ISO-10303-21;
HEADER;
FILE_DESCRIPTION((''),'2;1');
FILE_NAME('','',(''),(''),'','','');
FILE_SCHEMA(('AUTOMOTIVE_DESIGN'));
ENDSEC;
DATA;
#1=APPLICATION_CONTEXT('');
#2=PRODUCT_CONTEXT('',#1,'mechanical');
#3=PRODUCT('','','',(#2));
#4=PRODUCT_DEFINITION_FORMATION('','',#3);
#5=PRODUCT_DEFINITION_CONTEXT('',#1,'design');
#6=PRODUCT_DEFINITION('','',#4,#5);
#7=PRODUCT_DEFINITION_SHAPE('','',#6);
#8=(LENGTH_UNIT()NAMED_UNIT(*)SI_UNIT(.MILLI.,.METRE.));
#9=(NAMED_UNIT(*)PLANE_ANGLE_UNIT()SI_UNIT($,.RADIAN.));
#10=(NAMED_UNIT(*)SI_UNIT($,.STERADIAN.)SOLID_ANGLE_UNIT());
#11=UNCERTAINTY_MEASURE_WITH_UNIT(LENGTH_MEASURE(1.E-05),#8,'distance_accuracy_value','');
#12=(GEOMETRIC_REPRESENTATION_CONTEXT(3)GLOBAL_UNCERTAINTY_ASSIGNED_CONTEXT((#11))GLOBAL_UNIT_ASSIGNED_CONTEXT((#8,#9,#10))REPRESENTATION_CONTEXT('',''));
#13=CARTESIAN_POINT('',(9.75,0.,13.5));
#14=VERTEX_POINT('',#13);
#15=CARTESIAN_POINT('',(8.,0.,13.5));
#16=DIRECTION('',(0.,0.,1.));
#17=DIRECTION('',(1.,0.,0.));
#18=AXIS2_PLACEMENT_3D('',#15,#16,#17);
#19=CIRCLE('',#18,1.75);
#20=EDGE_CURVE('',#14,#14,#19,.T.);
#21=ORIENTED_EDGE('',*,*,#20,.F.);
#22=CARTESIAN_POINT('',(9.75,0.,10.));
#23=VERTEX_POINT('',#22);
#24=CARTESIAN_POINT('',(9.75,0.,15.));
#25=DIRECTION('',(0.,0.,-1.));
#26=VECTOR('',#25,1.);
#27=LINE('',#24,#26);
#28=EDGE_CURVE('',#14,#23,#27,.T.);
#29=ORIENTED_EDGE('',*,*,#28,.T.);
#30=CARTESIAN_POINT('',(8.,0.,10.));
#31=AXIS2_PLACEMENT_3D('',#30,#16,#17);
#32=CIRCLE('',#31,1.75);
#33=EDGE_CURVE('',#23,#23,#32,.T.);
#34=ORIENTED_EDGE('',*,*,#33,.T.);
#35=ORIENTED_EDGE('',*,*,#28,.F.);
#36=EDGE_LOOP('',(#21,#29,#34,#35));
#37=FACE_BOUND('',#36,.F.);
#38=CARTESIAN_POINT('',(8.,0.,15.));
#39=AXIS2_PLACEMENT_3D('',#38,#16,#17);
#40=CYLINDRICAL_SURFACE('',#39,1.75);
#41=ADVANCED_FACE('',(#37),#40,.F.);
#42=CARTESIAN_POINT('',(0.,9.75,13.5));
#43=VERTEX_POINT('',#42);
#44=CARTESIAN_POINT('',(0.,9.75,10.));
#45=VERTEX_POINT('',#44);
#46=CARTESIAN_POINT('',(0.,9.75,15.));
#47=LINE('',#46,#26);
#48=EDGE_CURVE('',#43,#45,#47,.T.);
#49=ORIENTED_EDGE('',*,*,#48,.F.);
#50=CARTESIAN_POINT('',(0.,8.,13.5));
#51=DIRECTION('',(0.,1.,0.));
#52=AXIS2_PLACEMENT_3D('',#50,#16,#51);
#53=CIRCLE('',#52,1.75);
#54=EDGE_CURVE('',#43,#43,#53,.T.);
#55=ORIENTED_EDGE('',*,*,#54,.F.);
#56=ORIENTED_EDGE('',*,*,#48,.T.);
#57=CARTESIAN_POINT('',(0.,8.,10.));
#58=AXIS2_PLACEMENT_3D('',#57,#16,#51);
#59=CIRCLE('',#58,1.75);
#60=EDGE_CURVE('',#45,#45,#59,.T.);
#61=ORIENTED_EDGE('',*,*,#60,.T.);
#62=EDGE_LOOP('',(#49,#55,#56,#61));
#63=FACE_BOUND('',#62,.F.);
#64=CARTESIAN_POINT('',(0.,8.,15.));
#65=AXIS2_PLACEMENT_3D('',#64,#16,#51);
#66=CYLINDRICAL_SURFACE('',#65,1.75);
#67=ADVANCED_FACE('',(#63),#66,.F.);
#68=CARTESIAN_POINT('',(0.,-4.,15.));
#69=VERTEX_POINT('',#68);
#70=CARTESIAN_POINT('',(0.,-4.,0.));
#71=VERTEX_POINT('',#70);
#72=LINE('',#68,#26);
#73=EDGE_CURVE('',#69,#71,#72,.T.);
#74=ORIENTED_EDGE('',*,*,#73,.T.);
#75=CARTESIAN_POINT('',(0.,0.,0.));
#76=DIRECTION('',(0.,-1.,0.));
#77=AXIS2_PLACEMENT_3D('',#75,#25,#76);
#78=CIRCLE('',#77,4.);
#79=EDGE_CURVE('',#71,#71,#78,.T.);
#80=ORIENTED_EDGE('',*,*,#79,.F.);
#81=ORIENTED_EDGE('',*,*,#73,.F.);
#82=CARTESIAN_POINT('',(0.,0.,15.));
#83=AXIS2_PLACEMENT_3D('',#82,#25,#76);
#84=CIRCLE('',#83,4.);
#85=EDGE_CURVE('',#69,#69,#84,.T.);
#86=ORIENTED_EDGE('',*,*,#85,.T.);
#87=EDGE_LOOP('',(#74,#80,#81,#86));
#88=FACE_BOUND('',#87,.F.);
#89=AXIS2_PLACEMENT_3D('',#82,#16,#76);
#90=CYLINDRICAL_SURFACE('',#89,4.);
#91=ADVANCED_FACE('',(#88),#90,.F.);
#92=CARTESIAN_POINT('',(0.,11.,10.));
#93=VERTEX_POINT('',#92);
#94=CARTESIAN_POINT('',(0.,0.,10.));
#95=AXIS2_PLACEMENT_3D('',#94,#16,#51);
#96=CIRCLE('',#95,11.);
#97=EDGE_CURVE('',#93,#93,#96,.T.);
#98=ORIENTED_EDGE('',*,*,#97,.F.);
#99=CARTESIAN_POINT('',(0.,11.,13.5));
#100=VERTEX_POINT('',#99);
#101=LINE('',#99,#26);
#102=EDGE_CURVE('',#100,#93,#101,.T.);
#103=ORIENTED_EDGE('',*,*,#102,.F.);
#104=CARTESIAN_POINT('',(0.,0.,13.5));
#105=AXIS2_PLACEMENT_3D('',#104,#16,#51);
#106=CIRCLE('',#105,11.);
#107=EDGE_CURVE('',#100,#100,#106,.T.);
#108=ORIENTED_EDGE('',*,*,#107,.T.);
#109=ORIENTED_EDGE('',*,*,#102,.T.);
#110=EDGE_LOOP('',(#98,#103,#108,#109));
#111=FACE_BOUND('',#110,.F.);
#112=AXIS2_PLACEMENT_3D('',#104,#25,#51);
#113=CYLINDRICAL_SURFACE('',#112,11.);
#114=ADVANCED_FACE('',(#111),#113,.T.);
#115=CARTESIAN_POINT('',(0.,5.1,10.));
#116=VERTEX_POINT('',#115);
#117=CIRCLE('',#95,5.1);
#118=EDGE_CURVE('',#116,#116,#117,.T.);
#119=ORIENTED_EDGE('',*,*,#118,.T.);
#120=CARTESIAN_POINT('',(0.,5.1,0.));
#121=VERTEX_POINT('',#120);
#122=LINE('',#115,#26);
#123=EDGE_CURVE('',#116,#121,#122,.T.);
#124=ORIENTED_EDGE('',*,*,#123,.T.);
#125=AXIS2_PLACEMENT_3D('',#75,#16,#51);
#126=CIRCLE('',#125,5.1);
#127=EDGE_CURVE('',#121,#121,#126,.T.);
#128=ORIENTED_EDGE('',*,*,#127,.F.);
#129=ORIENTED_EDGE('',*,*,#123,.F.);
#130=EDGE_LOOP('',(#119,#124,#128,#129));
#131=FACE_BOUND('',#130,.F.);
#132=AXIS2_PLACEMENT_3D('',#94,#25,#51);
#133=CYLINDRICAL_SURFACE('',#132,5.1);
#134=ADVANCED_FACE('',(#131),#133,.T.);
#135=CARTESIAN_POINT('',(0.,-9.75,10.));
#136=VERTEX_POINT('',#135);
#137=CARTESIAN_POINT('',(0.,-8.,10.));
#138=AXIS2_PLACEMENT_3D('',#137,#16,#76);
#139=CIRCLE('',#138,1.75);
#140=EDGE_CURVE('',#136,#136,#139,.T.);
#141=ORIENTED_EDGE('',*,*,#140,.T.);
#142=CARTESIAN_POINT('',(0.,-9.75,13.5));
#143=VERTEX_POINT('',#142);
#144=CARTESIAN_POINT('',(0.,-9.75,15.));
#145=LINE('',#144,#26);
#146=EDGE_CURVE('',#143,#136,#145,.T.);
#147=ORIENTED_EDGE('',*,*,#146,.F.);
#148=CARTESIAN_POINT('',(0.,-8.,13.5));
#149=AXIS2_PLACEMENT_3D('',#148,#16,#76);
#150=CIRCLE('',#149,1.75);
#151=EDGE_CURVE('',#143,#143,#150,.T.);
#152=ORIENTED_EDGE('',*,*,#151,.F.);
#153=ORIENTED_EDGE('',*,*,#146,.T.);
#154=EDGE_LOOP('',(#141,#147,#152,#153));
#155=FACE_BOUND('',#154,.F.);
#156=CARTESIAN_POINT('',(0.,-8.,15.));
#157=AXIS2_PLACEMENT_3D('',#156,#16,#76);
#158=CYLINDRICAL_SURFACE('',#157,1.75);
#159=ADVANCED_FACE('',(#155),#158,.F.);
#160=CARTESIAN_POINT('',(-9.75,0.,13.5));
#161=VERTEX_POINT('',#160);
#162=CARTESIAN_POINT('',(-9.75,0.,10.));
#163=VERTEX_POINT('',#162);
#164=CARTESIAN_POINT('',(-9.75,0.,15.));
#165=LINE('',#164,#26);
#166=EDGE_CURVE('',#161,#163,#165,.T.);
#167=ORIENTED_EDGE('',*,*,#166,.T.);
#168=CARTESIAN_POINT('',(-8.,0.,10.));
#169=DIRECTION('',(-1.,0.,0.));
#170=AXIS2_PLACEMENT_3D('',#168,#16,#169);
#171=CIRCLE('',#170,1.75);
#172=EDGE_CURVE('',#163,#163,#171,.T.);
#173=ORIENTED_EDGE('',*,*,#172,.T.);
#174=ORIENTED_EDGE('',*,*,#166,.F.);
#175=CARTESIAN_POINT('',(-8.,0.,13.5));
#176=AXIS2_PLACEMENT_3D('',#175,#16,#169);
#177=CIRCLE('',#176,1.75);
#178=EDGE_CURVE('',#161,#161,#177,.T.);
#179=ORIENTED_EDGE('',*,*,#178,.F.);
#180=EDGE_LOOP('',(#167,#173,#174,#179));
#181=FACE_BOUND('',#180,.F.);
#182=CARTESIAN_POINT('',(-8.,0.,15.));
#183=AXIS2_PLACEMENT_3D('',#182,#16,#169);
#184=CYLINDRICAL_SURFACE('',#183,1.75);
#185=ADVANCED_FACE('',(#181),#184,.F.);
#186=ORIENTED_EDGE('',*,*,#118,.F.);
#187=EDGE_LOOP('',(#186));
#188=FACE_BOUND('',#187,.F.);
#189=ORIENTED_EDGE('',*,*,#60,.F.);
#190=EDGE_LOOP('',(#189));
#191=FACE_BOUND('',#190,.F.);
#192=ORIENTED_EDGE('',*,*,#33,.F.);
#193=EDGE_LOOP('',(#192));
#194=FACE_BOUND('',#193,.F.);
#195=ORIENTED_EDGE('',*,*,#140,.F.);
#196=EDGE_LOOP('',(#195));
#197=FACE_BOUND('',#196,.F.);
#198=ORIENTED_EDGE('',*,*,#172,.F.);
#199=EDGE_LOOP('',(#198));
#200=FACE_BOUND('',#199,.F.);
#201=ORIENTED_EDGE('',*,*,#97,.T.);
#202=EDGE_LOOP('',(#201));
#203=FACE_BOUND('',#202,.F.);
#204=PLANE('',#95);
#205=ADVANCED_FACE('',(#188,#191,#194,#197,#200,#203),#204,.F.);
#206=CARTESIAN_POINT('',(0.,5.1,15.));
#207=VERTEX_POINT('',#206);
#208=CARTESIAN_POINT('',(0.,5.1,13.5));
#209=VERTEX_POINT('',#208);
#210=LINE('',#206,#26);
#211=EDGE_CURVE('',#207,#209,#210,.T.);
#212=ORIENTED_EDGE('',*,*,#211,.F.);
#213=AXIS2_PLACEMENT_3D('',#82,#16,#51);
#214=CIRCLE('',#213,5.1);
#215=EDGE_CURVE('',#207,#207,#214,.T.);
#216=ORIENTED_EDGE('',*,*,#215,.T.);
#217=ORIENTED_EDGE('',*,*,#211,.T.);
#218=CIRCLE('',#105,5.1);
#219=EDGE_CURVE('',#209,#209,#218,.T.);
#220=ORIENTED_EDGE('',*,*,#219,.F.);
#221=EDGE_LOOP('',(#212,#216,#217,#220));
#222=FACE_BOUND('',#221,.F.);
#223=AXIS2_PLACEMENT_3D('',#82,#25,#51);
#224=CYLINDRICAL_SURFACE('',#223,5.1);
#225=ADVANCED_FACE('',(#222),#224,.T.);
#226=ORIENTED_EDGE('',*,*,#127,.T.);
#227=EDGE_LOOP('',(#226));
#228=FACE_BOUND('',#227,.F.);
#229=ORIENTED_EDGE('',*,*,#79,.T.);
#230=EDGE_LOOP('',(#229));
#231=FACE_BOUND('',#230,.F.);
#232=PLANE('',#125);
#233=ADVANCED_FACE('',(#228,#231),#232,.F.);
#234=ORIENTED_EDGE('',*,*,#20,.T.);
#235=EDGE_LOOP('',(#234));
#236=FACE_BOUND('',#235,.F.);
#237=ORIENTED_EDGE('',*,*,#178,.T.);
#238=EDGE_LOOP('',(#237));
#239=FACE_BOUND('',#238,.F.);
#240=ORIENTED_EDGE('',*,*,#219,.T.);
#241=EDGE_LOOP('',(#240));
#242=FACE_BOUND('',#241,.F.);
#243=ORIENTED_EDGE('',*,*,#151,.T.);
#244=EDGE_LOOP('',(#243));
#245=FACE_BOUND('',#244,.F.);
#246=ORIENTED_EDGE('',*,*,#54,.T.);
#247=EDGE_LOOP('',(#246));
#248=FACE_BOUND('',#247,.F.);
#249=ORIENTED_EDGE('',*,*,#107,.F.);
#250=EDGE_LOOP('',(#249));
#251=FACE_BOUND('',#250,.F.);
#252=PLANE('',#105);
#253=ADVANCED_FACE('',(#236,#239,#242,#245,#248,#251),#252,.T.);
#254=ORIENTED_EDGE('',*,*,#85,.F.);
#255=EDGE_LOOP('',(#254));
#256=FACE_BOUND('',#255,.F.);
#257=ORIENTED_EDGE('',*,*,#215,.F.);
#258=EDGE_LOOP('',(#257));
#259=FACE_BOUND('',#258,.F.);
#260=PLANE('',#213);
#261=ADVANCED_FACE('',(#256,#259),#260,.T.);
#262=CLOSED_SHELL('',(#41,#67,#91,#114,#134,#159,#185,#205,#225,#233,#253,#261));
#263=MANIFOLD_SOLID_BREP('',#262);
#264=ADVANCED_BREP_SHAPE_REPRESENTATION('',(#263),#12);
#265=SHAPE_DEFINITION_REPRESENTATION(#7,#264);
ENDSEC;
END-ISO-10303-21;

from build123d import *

# Parameters (mm, degrees)
SKETCH151_R           = 4
SKETCH151_R_2         = 1.75
POCKET057_DEPTH       = 84.080664
POLARPATTERN010_COUNT = 4


with BuildPart() as part:
    # Sketch150 → Revolution007 (revolve)
    with BuildSketch(Plane.YZ):
        Polygon((0, 0), (0, 15), (5.1, 15), (5.1, 13.5), (11, 13.5), (11, 10), (5.1, 10), (5.1, 0), align=None)
    revolve(axis=Axis((0, 0, 0), (0, 0, 1)))

    # Sketch151 (on Face1 of Revolution007) → Pocket057 (cut, through all)
    with BuildSketch(Plane(origin=(0, 0, 15), x_dir=(0, -1, 0), z_dir=(0, 0, 1))):
        Circle(SKETCH151_R)
        with Locations((8, 0)):
            Circle(SKETCH151_R_2)
    pocket057 = extrude(amount=-POCKET057_DEPTH, mode=Mode.SUBTRACT)

    # PolarPattern010: Pocket057 ×4 about axis
    polarpattern010_axis = Axis((0, 0, 15), (0, 0, 1))
    for i in range(1, POLARPATTERN010_COUNT):
        add(pocket057.rotate(polarpattern010_axis, i * 360 / POLARPATTERN010_COUNT), mode=Mode.SUBTRACT)


solid = part.part
